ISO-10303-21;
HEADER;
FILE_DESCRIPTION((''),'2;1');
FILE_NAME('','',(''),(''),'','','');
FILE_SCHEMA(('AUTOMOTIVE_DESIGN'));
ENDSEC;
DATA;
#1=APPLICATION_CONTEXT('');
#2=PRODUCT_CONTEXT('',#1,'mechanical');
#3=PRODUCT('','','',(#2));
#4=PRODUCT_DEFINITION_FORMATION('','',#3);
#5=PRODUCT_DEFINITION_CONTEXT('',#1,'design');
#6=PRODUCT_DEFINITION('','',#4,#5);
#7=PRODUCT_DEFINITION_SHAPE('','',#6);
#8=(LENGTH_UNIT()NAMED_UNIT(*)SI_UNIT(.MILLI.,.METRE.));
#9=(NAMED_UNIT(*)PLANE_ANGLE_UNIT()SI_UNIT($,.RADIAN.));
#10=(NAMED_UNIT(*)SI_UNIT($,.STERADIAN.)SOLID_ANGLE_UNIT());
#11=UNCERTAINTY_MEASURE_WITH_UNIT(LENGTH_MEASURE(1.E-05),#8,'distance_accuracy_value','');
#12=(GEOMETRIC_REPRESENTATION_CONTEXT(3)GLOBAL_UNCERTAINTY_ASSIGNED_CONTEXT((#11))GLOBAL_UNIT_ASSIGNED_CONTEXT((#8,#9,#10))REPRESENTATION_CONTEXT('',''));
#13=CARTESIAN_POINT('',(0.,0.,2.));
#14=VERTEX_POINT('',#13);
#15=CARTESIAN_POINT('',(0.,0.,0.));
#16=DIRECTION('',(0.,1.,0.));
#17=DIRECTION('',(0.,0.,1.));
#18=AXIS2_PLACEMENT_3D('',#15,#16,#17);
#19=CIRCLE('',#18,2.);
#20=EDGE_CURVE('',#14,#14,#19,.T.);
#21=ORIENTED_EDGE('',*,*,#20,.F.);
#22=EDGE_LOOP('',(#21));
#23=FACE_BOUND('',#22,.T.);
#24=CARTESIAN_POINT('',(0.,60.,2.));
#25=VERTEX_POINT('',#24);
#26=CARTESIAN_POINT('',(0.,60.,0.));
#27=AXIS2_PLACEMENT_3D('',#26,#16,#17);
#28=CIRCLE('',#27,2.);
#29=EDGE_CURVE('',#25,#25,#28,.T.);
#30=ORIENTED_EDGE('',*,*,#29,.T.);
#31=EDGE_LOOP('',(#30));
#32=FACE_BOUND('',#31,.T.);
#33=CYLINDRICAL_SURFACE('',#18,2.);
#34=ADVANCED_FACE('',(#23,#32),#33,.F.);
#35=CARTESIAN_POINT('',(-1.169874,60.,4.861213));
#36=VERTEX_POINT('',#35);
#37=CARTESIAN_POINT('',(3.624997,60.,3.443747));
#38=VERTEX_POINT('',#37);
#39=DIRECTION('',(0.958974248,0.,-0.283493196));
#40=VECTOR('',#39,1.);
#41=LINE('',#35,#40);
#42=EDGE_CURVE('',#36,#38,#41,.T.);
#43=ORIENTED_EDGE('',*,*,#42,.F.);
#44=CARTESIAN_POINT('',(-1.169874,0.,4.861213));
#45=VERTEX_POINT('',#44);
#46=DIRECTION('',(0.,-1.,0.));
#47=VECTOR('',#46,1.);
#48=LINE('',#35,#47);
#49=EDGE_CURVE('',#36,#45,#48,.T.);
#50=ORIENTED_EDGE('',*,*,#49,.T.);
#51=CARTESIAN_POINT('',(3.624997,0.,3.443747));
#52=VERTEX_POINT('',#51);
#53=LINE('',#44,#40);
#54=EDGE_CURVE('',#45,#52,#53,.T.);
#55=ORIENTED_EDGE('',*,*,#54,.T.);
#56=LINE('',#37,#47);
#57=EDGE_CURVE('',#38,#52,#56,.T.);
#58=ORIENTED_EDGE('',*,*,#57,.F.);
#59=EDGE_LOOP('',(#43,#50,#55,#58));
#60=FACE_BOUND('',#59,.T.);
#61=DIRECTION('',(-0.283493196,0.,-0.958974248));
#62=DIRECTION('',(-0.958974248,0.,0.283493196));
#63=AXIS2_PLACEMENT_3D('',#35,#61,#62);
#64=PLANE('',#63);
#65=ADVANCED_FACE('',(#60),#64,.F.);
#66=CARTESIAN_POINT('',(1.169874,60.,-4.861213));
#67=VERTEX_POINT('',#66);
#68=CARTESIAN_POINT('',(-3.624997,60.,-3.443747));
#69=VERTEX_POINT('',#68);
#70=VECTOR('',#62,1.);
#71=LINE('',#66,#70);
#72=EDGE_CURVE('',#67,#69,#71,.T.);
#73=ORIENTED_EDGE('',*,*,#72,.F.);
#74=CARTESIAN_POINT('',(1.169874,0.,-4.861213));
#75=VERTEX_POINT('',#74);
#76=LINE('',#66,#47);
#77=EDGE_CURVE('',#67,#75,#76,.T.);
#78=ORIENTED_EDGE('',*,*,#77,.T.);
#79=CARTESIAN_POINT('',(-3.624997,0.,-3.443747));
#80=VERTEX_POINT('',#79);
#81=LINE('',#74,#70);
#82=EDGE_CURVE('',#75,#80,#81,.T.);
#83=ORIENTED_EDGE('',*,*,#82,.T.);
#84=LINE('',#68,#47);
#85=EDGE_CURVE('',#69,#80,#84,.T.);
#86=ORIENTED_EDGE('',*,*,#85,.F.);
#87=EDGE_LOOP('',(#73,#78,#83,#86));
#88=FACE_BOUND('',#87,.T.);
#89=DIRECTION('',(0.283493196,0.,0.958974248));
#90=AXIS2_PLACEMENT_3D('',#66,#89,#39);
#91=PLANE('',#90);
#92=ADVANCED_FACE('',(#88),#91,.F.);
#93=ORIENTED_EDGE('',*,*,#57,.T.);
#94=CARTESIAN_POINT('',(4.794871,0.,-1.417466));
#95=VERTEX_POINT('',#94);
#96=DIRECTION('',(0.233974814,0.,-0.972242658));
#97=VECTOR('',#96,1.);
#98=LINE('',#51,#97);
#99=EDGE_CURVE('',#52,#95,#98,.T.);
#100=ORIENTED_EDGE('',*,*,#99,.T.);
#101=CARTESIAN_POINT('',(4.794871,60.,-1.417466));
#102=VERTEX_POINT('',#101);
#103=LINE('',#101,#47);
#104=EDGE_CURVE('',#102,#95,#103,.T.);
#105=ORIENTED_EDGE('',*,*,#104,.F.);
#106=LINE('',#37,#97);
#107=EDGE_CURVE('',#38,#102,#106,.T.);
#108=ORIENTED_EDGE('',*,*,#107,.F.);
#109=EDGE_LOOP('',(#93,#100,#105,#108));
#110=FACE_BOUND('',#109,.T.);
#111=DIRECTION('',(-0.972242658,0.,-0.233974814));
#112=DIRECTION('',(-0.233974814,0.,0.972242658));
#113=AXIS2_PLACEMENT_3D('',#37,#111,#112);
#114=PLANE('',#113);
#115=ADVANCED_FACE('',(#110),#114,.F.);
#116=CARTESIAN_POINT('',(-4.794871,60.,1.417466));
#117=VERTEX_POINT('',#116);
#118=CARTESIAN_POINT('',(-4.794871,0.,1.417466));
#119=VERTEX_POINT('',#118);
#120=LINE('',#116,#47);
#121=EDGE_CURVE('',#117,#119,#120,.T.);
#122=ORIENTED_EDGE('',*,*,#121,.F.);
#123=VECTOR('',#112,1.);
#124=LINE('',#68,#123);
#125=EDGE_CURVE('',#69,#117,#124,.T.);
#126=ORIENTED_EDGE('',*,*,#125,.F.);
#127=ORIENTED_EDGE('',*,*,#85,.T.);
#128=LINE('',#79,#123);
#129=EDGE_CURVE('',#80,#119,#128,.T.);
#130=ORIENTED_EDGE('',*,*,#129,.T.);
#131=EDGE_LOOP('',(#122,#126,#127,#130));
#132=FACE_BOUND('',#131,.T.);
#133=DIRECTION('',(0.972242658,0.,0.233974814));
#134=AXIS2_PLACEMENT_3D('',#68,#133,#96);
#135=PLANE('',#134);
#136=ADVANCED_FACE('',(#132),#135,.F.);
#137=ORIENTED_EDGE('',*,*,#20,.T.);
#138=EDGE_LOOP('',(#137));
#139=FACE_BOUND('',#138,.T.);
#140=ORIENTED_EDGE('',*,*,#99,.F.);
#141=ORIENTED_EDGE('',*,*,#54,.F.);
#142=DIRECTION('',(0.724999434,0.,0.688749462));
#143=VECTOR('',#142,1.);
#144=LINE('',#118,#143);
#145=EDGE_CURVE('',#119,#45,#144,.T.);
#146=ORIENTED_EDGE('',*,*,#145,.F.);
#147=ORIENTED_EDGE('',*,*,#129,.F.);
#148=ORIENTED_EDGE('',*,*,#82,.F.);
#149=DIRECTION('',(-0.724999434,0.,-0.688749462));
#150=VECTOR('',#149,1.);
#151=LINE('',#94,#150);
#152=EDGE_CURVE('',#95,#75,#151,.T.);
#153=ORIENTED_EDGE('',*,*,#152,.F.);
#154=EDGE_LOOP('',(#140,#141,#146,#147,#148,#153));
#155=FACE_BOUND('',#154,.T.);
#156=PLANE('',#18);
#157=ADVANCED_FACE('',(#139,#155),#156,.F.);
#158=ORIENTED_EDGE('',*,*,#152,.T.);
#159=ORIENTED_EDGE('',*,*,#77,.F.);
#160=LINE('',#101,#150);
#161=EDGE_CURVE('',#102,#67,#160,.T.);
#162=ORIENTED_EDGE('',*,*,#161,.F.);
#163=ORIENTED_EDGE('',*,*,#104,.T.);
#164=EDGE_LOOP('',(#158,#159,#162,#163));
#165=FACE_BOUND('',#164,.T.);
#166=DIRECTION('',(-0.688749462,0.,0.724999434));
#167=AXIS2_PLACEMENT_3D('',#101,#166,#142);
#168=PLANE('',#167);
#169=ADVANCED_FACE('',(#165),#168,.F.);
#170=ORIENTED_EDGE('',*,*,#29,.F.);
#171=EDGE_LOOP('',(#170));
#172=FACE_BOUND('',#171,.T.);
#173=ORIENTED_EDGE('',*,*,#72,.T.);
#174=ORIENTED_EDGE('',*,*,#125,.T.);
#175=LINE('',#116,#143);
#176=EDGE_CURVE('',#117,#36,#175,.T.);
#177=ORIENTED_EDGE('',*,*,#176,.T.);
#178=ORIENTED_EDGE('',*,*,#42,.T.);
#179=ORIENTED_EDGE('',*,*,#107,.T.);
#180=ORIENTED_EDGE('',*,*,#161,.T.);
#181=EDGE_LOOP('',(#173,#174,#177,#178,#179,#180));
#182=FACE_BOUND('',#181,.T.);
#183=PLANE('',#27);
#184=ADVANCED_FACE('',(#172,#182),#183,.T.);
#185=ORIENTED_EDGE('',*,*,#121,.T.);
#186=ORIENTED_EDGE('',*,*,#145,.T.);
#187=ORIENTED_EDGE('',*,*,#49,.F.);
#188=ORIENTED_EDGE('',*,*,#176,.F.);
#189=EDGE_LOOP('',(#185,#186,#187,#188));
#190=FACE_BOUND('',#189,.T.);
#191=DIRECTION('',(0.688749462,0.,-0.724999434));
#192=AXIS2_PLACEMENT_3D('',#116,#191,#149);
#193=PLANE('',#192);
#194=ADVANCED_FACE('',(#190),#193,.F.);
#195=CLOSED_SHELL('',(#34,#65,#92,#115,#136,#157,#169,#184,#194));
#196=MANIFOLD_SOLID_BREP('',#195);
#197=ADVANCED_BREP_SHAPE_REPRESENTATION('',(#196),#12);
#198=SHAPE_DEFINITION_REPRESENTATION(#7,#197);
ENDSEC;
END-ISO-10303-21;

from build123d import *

# Parameters (mm, degrees)
EXTRUDE_THIN1_DEPTH = 60
SKETCH2_R           = 4
SKETCH2_R_2         = 2
EXTRUDE_THIN2_DEPTH = 60


with BuildPart() as part:
    # Sketch1 → Extrude-Thin1 (new body)
    with BuildSketch(Plane(origin=(0, 0, 0), x_dir=(1, 0, 0), z_dir=(0, 1, 0))):
        Polygon((3.624997168, -3.44374731), (4.794871238, 1.417465981), (1.16987407, 4.861213291), (-3.624997168, 3.44374731), (-4.794871238, -1.417465981), (-1.16987407, -4.861213291), align=None)
        Polygon((1.950682695, -1.853148561), (2.580215078, 0.762766489), (0.629532383, 2.615915049), (-1.950682695, 1.853148561), (-2.580215078, -0.762766489), (-0.629532383, -2.615915049), align=None, mode=Mode.SUBTRACT)
    extrude(amount=EXTRUDE_THIN1_DEPTH)

    # Sketch2 → Extrude-Thin2 (add)
    with BuildSketch(Plane(origin=(0, 60, 0), x_dir=(1, 0, 0), z_dir=(0, 1, 0))):
        Circle(SKETCH2_R)
        Circle(SKETCH2_R_2, mode=Mode.SUBTRACT)
    extrude(amount=-EXTRUDE_THIN2_DEPTH)


solid = part.part
